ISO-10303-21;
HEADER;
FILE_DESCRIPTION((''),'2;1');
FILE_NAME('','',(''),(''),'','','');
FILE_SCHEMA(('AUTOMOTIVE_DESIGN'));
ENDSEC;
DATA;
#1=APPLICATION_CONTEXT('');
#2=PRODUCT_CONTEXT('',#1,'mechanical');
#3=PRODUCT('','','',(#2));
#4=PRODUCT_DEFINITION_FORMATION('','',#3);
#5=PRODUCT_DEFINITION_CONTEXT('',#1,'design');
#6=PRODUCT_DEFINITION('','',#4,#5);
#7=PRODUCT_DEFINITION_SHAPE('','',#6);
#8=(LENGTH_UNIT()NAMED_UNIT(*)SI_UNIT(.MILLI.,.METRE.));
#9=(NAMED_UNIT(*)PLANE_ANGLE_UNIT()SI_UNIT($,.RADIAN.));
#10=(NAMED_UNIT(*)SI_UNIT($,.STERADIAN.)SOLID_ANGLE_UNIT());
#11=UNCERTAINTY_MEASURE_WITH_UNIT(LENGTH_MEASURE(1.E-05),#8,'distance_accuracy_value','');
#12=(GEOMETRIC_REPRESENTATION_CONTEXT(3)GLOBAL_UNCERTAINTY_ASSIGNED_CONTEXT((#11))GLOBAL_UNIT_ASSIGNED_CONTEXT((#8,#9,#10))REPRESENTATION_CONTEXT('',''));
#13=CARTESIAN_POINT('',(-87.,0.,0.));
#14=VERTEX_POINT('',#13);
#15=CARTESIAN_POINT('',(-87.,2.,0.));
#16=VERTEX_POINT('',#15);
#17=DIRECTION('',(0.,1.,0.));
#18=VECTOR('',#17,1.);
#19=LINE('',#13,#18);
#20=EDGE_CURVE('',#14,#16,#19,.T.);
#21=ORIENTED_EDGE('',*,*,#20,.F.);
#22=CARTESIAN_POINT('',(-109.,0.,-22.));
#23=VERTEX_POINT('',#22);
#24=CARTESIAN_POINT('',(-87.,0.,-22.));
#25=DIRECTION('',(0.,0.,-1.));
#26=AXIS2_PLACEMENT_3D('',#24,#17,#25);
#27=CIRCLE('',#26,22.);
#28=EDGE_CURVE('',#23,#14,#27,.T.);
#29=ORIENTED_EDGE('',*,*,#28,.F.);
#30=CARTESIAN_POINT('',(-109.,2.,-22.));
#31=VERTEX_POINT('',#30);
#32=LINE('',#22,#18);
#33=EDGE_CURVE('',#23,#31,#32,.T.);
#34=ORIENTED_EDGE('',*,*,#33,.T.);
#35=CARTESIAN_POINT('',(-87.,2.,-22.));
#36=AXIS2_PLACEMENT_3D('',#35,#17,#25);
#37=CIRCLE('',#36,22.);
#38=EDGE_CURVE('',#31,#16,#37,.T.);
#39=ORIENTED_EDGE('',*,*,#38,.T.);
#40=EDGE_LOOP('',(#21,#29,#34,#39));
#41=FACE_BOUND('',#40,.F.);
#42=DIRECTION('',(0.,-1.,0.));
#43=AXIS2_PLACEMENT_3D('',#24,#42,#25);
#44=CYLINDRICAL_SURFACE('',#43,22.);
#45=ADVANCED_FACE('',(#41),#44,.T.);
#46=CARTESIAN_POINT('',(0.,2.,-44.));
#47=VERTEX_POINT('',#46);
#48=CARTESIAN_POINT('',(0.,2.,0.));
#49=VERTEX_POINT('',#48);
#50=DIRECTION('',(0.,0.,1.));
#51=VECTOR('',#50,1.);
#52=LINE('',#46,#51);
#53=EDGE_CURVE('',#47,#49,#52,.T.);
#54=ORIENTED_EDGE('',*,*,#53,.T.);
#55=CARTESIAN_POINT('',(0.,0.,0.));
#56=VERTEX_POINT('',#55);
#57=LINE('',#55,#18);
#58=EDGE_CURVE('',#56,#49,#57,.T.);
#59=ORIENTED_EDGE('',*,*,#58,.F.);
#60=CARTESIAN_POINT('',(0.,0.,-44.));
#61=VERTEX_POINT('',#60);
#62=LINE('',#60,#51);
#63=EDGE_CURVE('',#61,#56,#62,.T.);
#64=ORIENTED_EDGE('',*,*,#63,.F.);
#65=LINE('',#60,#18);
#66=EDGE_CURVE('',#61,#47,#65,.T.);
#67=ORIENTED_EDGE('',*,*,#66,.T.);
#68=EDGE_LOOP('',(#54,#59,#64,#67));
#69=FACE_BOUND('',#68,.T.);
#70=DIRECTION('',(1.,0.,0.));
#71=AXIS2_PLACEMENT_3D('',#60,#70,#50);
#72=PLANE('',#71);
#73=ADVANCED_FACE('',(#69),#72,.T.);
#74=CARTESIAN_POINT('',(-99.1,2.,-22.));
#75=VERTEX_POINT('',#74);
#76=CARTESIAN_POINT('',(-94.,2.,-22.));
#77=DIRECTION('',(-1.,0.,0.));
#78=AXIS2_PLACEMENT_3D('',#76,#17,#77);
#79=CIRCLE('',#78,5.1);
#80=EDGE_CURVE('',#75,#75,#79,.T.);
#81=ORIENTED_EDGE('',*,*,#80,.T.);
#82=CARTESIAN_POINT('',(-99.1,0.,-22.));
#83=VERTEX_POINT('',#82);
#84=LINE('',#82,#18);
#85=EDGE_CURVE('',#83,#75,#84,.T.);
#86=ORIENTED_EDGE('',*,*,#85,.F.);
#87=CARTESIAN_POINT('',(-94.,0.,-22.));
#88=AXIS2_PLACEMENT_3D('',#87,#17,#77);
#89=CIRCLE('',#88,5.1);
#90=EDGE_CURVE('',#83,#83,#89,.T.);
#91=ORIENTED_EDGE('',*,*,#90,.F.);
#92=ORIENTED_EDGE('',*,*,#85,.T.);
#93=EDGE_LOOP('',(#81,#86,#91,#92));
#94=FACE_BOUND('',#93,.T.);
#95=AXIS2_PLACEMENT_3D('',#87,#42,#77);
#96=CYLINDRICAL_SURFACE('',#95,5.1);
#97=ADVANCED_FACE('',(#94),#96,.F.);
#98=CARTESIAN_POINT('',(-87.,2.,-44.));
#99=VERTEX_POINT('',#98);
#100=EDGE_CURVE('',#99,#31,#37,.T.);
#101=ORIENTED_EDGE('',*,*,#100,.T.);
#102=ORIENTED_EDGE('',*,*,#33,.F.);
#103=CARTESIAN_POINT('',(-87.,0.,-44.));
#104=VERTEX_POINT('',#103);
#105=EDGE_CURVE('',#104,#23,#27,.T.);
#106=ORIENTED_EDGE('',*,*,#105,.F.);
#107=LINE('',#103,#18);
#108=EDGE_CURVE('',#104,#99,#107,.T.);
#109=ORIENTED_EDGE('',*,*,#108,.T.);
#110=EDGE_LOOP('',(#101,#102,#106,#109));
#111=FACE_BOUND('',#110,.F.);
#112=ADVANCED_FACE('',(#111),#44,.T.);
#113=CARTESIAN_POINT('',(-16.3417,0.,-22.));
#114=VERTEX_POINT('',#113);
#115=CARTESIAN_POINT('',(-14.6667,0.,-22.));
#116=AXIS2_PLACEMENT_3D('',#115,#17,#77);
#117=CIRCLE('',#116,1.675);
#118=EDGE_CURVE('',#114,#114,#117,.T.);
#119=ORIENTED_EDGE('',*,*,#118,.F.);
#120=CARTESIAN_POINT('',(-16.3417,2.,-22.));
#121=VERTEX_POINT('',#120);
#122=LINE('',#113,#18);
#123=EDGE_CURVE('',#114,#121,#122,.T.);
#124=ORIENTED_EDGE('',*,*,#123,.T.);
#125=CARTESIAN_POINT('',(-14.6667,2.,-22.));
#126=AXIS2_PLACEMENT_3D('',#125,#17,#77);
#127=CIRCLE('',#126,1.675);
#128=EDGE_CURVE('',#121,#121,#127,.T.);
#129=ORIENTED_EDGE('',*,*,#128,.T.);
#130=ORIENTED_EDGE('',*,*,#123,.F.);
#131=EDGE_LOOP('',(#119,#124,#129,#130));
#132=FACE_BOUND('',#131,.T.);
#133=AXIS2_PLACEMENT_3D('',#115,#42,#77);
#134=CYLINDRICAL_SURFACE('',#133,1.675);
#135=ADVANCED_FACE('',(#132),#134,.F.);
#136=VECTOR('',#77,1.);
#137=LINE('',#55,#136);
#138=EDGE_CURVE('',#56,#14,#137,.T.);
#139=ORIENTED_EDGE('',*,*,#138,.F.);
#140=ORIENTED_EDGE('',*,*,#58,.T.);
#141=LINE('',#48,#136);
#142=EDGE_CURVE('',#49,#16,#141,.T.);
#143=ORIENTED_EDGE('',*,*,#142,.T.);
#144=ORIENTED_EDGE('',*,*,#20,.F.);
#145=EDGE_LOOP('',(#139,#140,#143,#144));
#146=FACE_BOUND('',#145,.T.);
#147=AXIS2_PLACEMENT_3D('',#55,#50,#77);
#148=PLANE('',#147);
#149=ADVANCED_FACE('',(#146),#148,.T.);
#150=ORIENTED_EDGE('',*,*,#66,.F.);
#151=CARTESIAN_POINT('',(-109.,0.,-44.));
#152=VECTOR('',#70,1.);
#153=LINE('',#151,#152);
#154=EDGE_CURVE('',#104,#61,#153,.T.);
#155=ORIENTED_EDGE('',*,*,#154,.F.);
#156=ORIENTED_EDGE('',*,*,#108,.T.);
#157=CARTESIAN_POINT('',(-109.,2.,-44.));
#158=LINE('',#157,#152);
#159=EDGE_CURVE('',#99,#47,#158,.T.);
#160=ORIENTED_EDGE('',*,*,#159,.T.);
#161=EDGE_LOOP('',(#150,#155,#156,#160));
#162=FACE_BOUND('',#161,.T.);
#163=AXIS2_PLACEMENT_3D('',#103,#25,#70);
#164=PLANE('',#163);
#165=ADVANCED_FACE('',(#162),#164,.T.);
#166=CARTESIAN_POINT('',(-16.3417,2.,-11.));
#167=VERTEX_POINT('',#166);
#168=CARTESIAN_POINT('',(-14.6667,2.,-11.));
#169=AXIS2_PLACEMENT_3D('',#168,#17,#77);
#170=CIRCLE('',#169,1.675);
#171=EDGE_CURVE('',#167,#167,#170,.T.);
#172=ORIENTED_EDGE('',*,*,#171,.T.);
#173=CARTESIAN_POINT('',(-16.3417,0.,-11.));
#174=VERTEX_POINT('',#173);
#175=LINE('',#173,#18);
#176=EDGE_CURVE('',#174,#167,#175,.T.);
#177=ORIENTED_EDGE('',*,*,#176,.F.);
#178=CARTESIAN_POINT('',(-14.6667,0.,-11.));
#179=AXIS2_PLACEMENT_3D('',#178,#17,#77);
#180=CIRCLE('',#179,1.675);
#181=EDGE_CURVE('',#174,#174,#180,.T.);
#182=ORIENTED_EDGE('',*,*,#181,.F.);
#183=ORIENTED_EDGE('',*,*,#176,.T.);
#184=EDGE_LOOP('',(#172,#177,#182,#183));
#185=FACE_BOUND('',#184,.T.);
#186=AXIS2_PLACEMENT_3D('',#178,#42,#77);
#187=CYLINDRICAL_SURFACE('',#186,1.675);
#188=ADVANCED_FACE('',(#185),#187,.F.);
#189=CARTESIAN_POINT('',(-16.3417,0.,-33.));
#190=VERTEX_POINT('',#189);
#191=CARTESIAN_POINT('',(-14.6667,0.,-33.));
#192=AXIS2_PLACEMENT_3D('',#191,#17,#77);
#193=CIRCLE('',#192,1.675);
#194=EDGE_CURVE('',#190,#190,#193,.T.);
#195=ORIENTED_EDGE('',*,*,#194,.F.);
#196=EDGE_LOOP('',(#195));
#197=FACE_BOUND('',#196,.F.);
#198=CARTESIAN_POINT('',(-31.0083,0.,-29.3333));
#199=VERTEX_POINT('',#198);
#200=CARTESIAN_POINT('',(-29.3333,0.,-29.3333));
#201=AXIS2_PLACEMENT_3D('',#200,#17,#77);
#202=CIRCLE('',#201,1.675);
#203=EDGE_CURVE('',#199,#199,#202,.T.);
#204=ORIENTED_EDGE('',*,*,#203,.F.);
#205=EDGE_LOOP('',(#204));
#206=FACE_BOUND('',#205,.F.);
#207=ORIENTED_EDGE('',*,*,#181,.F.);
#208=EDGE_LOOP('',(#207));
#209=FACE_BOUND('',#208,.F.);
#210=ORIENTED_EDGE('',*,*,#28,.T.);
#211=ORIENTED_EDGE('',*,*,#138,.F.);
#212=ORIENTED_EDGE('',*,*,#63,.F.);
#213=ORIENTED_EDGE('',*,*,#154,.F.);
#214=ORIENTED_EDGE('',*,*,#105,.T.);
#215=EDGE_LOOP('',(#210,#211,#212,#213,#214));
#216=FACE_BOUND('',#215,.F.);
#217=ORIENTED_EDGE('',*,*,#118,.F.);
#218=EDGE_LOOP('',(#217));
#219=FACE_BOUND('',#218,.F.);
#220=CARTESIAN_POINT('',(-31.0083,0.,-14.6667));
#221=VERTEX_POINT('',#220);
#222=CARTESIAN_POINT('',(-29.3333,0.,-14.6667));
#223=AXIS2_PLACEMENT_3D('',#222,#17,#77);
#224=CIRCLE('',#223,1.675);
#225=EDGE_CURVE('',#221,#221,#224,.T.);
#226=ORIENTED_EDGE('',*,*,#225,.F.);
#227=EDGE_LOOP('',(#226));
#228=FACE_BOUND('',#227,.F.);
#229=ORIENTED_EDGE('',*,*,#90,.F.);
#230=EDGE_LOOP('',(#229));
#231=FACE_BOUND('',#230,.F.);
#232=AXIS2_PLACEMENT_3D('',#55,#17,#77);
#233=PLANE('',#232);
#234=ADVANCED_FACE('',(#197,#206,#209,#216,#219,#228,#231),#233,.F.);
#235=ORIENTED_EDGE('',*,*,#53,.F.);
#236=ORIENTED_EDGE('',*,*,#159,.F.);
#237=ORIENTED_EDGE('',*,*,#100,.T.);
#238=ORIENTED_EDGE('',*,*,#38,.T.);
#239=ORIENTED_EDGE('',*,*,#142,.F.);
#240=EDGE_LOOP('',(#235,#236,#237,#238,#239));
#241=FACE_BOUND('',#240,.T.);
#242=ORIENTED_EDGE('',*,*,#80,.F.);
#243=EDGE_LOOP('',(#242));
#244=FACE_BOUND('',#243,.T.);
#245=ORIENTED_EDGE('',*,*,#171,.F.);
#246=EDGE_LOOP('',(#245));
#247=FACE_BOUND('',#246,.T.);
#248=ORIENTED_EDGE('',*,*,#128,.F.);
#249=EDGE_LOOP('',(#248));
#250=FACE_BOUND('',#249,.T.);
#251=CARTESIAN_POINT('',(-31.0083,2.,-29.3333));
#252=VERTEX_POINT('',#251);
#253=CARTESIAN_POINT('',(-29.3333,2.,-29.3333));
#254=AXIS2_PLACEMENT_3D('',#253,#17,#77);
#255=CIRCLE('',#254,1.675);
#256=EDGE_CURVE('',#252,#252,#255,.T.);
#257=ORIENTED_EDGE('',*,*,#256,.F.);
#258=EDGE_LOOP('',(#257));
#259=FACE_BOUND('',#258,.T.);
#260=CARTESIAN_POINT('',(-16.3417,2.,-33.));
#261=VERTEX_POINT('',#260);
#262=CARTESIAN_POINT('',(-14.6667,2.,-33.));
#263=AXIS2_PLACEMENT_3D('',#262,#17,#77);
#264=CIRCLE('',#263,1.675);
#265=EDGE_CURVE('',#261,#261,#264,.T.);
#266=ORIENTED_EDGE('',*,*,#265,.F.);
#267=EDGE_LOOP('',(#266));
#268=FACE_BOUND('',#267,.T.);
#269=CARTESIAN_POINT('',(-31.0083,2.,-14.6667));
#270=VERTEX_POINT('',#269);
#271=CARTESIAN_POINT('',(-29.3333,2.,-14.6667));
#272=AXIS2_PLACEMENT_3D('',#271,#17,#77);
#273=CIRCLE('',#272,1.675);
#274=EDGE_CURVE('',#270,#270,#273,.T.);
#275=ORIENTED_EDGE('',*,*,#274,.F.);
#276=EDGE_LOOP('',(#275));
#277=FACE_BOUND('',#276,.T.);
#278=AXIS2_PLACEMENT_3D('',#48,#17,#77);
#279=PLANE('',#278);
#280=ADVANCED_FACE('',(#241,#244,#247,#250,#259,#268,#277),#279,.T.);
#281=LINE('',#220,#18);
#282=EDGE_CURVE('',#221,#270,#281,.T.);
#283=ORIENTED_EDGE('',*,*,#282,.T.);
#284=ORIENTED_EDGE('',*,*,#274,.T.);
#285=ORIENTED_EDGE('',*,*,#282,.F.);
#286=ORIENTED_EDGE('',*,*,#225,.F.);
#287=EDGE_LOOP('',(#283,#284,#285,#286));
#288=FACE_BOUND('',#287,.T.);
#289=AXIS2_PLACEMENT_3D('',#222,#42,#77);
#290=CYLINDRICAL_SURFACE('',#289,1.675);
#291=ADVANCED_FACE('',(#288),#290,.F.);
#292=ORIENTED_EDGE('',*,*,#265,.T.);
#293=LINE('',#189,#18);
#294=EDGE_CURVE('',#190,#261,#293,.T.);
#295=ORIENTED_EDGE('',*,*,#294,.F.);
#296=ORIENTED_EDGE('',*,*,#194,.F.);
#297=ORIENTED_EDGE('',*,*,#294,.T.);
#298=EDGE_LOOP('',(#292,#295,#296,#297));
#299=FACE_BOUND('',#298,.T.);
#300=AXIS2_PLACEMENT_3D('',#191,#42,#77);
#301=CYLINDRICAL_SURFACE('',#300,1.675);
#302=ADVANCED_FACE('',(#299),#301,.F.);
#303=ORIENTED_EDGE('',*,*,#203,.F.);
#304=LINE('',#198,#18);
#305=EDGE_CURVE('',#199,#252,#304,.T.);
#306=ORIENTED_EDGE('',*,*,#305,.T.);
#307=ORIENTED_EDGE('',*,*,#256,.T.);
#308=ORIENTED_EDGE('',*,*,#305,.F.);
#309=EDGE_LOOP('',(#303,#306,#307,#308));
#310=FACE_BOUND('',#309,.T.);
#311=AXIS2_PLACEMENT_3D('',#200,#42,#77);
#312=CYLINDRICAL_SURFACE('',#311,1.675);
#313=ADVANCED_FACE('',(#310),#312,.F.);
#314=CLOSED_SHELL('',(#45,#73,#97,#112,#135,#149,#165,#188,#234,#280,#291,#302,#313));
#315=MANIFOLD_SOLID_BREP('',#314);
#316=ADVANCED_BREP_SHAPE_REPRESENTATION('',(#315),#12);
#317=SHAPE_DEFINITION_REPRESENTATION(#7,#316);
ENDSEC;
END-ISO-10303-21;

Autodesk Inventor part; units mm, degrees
ref_plane "YZ Plane" through (0, 0, 0) normal (1, 0, 0) x (0, 1, 0)
ref_plane "XZ Plane" through (0, 0, 0) normal (0, 1, 0) x (-1, 0, 0)
ref_plane "XY Plane" through (0, 0, 0) normal (0, 0, 1) x (1, 0, 0)
sketch "Sketch2" plane through (0, 0, 0) normal (0, 1, 0) x (-1, 0, 0)
  line L0 (0, 0) -> (109, 0)
  line L1 (109, 0) -> (109, -44)
  line L2 (109, -44) -> (0, -44)
  line L3 (0, -44) -> (0, 0)
  line L4 (44, 0) -> (44, -44) construction
  arc A0 (87, -44) -> (87, 0) centre (87, -22) ccw
  circle A1 centre (94, -22) radius 5.1
  circle A2 centre (29.3333, -14.6667) radius 1.675
  circle A3 centre (29.3333, -29.3333) radius 1.675
  circle A4 centre (14.6667, -11) radius 1.675
  circle A5 centre (14.6667, -22) radius 1.675
  circle A6 centre (14.6667, -33) radius 1.675
  dimension "d36" = 44
  dimension "d37" = 44
  dimension "d38" = 65
  dimension "d41" = 10.2
  dimension "d42" = 22
  dimension "d43" = 15
  dimension "d44" = 14.6667
  dimension "d45" = 14.6667
  dimension "d46" = 14.6667
  dimension "d47" = 11
  dimension "d48" = 11
  dimension "d49" = 11
  dimension "d50" = 11
  dimension "d51" = 3.35
  dimension "d52" = 3.35
  dimension "d53" = 3.35
  dimension "d54" = 3.35
  dimension "d55" = 3.35
  dimension "d56" = 14.6667
  dimension "d57" = 14.6667
  dimension "d58" = 14.6667
  dimension "d59" = 14.6667
extrude "Plate3" add sketch "Sketch2" along normal blind 2 contours L0 A0 L2 L3
equation "\"d42\" = 0.5 * d37"
equation "\"d44\" = 0.333333 * d37"
equation "\"d45\" = d44"
equation "\"d47\" = 0.25 * d37"
equation "\"d48\" = d47"
equation "\"d49\" = d47"
equation "\"d52\" = d51"
equation "\"d53\" = d51"
equation "\"d54\" = d51"
equation "\"d55\" = d51"
equation "\"d56\" = 0.333333 * d36"
equation "\"d57\" = d56"
equation "\"d58\" = d46"
equation "\"d59\" = d46"
equation "\"d60\" = Thickness"
equation "\"BendRadius\" = Thickness"
equation "\"BendReliefWidth\" = Thickness"
equation "\"BendReliefDepth\" = 0.5 * Thickness"
equation "\"CornerReliefSize\" = 4 * Thickness"
equation "\"MinimumRemnant\" = 2 * Thickness"
equation "\"TransitionRadius\" = BendRadius"
equation "\"JacobiRadiusSize\" = BendRadius"
equation "\"GapSize\" = Thickness"
equation "\"Thickness\" = 2"
properties part number "Beslag ekstra håndtag"
